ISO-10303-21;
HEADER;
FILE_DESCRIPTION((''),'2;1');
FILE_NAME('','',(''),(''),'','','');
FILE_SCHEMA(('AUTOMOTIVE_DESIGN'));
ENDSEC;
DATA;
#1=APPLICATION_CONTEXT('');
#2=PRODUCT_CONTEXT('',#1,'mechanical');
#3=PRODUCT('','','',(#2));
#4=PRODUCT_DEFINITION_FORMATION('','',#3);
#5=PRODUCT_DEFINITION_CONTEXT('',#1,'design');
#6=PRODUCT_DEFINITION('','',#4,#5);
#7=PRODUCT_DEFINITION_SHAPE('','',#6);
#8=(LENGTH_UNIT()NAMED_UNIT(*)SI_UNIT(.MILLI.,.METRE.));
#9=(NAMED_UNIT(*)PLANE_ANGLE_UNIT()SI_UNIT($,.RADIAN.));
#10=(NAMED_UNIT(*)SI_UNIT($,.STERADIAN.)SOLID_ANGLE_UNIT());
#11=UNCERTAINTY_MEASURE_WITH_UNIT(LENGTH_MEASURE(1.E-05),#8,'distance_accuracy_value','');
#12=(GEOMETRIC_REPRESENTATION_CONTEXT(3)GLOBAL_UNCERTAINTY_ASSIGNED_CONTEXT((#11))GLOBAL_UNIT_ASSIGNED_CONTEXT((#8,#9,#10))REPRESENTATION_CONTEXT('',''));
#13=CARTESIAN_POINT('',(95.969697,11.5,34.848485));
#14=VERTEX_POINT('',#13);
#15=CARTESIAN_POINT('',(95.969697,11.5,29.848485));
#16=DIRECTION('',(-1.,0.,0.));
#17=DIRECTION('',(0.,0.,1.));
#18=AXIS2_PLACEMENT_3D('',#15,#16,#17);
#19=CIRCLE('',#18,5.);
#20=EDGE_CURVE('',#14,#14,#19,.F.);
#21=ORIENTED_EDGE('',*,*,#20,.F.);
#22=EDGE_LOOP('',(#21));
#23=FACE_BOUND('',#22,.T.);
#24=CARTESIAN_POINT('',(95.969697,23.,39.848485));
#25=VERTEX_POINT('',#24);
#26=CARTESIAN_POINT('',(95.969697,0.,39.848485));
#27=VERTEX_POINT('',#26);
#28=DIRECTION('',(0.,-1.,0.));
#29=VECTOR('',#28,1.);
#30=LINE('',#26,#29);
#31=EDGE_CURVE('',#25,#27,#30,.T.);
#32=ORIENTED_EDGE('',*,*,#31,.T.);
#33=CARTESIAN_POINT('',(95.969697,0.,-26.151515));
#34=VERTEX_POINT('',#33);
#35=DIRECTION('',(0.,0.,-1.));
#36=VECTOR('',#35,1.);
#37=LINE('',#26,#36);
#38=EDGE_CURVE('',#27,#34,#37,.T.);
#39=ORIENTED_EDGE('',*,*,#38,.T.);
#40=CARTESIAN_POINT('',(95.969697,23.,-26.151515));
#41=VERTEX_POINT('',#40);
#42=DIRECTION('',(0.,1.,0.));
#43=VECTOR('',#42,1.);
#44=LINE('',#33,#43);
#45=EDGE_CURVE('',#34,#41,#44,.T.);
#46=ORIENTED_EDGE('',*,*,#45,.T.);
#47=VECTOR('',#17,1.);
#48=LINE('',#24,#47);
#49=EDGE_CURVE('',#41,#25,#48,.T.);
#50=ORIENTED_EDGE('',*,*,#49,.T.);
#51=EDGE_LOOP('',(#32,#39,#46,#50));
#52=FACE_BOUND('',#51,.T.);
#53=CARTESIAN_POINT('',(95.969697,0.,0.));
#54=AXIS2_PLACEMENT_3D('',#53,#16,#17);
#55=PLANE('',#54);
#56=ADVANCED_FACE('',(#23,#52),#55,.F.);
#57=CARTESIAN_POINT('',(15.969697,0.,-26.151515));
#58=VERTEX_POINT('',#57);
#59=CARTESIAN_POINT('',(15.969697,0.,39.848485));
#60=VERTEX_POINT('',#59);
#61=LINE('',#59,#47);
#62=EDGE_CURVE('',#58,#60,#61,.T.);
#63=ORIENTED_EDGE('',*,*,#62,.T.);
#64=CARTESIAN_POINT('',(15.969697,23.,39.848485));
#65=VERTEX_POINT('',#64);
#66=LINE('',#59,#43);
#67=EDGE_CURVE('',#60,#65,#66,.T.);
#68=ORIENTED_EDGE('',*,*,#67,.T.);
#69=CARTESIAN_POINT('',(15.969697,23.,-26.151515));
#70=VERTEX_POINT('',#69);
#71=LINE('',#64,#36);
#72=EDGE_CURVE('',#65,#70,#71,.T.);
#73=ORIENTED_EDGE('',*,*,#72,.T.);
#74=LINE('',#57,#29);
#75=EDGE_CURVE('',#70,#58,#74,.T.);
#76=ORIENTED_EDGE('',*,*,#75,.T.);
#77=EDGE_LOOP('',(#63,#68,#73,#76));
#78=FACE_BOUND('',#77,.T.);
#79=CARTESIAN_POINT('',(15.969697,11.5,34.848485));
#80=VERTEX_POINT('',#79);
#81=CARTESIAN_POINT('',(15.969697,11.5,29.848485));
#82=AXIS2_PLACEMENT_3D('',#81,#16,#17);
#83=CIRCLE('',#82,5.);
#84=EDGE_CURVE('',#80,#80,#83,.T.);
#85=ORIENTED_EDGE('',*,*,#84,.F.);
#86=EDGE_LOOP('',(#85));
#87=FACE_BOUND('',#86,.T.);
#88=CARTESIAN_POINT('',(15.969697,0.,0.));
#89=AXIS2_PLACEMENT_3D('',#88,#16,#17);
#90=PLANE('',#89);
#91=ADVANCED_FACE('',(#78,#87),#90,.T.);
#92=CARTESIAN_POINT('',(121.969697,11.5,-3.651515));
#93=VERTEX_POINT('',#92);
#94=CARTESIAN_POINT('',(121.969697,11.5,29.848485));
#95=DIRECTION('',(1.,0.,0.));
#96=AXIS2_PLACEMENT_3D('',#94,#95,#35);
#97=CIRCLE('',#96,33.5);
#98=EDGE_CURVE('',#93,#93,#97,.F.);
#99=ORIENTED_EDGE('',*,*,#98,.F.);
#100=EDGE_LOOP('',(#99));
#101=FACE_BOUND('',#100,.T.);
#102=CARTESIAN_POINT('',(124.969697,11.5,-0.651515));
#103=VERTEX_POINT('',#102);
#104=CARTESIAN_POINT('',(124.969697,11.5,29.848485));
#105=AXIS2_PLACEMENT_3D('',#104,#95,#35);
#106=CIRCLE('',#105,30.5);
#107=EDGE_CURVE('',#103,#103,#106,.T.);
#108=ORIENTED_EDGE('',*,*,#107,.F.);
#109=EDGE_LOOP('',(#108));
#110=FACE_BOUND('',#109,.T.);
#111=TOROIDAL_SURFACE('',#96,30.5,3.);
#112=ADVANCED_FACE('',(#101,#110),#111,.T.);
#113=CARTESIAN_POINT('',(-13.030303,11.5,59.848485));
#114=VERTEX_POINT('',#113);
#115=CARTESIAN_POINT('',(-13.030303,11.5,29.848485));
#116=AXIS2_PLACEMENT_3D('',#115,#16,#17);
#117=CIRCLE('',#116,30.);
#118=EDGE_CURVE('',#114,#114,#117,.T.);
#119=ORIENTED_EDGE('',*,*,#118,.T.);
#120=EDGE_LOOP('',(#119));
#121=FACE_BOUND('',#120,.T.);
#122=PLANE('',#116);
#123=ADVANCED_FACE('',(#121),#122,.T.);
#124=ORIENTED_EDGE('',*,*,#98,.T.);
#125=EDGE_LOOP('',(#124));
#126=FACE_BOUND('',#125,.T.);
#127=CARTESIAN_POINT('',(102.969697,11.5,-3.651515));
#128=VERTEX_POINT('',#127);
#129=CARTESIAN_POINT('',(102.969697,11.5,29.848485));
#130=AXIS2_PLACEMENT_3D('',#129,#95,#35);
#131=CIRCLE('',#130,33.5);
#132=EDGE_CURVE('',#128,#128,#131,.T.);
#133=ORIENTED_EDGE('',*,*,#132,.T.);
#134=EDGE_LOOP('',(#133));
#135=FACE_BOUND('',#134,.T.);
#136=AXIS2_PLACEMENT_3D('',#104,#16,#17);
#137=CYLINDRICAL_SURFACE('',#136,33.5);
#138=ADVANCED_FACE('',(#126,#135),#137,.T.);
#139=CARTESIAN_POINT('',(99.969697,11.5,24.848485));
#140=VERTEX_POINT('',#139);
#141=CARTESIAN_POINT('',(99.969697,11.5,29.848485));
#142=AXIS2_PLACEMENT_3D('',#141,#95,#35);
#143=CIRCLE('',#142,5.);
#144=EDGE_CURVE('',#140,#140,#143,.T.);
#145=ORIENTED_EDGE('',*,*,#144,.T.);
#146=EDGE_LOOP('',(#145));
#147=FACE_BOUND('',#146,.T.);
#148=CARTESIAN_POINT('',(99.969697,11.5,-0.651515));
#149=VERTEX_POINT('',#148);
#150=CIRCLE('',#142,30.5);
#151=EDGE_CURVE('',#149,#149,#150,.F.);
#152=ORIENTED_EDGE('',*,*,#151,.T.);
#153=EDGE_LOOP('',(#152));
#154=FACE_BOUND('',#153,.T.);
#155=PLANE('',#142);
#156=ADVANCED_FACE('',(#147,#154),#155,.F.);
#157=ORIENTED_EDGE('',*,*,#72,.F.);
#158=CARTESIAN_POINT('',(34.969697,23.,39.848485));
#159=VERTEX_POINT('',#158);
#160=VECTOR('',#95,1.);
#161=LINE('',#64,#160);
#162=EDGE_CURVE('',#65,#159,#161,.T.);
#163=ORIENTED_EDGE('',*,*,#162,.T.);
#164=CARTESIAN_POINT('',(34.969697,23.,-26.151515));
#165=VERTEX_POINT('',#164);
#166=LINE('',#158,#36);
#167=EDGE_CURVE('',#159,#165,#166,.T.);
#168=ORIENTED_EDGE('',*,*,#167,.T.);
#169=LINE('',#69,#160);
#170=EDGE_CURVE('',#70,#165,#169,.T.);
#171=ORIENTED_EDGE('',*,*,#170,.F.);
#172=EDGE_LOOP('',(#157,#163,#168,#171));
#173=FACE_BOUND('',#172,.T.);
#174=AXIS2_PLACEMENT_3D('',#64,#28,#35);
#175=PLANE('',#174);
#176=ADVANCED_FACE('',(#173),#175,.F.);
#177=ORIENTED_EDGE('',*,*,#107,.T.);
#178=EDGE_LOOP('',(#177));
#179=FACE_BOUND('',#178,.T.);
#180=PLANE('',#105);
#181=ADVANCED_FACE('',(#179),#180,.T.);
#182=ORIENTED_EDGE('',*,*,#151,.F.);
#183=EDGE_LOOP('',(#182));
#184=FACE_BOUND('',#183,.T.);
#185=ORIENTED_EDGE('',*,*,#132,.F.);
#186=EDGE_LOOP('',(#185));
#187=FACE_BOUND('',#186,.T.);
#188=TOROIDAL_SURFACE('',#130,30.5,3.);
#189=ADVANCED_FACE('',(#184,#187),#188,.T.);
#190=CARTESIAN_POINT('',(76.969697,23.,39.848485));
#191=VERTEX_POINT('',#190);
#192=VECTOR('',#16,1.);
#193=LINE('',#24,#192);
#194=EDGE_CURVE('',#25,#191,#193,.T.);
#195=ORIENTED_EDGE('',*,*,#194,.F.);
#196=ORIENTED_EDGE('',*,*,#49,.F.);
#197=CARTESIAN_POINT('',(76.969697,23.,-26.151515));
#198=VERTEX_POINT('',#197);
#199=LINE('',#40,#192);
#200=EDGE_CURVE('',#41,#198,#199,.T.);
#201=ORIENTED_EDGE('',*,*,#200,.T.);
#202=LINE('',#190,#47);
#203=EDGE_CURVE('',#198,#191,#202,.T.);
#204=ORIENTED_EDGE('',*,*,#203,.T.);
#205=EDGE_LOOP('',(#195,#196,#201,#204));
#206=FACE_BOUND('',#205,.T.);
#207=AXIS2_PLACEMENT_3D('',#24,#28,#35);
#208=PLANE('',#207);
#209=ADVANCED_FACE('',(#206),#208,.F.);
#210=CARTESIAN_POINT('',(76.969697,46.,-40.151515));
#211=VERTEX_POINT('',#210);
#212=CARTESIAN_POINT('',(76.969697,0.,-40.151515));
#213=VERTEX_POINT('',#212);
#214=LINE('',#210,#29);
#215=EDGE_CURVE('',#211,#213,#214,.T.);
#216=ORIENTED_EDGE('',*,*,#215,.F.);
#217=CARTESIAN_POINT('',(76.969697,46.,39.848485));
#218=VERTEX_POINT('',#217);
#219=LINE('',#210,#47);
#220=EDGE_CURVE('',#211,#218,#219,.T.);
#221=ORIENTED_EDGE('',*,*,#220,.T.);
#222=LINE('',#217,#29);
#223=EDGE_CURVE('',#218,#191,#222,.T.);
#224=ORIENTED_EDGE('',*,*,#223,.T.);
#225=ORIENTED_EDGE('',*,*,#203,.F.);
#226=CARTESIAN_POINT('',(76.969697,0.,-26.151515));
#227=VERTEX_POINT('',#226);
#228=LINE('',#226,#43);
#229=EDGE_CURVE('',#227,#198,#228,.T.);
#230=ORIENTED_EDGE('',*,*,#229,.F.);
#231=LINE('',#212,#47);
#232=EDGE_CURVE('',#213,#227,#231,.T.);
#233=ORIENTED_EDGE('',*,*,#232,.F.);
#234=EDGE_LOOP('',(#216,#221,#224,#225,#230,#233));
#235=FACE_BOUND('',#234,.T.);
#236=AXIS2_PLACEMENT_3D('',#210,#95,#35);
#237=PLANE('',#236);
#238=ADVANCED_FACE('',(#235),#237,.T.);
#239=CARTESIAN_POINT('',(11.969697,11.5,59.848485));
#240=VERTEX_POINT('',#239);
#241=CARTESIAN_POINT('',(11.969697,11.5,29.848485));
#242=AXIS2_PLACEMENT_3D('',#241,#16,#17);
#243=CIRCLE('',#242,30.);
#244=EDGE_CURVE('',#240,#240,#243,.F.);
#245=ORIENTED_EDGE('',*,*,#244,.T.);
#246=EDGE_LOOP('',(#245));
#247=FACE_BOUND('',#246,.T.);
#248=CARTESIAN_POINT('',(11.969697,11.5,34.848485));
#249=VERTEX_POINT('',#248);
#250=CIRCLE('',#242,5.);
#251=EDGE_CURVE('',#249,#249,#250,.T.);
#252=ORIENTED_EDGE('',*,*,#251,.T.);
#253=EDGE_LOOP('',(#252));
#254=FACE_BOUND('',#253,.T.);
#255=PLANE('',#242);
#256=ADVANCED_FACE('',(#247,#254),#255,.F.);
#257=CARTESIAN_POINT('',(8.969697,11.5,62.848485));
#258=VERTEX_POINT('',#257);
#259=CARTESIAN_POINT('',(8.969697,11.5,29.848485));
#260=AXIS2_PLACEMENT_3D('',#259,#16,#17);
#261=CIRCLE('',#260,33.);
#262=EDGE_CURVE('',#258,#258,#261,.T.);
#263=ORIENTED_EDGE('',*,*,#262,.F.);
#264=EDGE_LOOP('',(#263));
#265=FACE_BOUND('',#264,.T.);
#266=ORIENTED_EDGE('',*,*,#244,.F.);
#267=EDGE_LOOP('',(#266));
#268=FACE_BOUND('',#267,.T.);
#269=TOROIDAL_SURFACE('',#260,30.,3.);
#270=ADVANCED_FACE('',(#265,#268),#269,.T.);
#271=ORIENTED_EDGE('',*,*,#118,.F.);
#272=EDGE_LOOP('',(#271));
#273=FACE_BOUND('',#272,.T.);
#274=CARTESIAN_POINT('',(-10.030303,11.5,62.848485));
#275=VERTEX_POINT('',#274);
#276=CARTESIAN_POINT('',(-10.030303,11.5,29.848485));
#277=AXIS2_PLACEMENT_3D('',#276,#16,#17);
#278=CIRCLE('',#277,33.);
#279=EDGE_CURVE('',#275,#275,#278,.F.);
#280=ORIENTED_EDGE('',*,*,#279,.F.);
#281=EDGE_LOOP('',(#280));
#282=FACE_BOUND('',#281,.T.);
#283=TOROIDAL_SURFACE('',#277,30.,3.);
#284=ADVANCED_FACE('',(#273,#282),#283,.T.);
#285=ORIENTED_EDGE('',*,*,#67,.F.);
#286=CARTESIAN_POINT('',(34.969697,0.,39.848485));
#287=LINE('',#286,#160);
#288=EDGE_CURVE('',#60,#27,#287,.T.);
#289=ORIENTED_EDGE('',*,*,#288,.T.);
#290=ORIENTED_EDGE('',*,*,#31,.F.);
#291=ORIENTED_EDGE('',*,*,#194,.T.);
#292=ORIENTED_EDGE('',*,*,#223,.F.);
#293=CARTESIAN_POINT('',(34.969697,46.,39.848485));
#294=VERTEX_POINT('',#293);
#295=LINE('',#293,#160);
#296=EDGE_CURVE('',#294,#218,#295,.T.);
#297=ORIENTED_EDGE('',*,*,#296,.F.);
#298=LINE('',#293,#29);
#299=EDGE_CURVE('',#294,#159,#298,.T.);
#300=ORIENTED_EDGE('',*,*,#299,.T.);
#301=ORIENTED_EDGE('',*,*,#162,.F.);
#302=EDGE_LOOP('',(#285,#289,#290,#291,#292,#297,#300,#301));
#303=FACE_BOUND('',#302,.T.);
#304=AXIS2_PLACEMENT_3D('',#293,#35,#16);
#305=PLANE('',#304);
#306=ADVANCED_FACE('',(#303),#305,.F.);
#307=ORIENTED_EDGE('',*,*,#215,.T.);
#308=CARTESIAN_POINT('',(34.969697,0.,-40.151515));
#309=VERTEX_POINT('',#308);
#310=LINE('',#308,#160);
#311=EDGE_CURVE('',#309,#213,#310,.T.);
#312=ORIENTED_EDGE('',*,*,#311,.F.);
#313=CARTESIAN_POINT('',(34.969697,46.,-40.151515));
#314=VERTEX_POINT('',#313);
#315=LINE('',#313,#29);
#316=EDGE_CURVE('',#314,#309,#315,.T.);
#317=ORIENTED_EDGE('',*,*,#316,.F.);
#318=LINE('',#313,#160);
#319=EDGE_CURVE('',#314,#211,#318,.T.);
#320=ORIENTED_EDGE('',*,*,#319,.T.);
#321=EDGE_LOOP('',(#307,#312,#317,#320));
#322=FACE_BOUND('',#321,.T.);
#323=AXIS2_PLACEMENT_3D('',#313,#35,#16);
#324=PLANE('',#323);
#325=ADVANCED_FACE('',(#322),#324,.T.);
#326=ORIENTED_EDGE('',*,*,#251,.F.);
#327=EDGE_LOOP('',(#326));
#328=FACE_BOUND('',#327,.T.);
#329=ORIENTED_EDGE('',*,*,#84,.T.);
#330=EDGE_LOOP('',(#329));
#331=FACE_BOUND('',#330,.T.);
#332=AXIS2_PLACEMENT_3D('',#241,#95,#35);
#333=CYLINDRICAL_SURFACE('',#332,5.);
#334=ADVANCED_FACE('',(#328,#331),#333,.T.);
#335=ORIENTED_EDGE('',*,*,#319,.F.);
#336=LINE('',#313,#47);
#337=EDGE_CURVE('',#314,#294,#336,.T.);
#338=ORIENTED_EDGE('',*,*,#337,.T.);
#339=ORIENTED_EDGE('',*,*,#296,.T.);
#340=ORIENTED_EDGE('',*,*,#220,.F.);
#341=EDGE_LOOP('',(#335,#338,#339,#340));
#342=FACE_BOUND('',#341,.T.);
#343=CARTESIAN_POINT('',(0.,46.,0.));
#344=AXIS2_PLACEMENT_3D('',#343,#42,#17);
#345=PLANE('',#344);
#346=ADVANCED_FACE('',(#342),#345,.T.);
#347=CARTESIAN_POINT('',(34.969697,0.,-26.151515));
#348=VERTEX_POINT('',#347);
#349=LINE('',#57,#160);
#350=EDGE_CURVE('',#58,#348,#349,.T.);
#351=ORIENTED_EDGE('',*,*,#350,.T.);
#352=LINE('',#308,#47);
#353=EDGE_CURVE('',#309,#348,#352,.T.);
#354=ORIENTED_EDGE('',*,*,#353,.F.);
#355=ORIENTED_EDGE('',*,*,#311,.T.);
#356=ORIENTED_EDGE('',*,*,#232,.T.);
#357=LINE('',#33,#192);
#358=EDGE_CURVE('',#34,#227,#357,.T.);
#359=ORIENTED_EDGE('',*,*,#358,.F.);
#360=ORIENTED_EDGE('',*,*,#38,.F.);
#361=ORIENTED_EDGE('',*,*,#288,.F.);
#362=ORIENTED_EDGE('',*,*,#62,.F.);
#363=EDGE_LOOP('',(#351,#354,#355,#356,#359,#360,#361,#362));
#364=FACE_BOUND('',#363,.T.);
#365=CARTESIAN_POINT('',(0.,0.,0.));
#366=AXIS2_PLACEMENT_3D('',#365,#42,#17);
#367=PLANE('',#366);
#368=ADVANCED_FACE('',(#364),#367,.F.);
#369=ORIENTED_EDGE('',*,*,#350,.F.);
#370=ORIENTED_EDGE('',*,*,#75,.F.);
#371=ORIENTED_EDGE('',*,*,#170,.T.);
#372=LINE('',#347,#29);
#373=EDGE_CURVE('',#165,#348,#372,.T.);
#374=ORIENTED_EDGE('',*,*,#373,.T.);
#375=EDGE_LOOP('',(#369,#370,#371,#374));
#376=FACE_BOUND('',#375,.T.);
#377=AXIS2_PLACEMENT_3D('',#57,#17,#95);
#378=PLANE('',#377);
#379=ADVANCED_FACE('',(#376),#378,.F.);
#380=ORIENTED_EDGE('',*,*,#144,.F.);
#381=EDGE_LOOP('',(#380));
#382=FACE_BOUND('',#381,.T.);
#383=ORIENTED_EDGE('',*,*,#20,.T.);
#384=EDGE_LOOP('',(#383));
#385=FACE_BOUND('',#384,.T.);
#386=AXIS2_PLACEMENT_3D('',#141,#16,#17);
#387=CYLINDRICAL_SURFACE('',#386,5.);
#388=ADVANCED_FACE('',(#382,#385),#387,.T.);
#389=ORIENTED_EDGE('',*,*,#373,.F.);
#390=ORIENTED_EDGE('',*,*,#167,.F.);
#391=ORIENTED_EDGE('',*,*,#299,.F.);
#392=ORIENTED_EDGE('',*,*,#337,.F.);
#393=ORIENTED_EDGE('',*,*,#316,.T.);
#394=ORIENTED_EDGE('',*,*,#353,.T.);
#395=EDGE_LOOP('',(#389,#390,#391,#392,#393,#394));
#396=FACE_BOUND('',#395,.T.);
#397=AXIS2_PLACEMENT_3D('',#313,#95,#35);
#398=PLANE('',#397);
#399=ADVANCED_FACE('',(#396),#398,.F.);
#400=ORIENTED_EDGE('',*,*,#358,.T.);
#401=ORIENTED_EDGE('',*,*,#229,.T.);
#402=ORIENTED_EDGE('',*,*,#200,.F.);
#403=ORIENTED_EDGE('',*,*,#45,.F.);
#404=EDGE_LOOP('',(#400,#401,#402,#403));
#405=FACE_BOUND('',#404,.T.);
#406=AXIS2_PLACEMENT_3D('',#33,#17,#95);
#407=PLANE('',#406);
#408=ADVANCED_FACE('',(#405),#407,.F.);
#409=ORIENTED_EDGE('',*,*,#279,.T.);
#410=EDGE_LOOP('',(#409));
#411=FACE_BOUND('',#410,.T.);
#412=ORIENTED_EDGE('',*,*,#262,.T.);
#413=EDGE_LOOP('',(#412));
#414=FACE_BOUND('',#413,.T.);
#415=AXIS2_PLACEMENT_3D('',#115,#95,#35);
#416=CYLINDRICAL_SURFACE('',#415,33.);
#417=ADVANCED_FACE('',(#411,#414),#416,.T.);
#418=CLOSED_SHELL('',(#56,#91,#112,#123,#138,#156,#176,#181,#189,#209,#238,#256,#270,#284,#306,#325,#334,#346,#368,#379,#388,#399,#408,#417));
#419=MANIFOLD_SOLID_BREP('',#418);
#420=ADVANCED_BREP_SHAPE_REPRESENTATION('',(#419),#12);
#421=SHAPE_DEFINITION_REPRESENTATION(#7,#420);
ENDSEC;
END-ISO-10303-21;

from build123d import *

# Parameters (mm, degrees)
SKETCH2_W           = 42
SKETCH2_H           = 80
BOSS_EXTRUDE1_DEPTH = 46
SKETCH3_W           = 66
SKETCH3_H           = 23
BOSS_EXTRUDE2_DEPTH = 19
SKETCH4_R           = 5
BOSS_EXTRUDE3_DEPTH = 4
SKETCH5_R           = 33.5
BOSS_EXTRUDE4_DEPTH = 25
SKETCH6_W           = 66
SKETCH6_H           = 23
BOSS_EXTRUDE5_DEPTH = 19
BOSS_EXTRUDE6_START = 4
SKETCH8_R           = 5
BOSS_EXTRUDE6_DEPTH = 4
SKETCH10_R          = 33
BOSS_EXTRUDE7_DEPTH = 25
FILLET2_R           = 3


with BuildPart() as part:
    # Sketch2 → Boss-Extrude1 (new body)
    with BuildSketch(Plane(origin=(0, 0, 0), x_dir=(1, 0, 0), z_dir=(0, 1, 0))):
        with Locations((55.96969697, 0.151515152)):
            Rectangle(SKETCH2_W, SKETCH2_H)
    extrude(amount=BOSS_EXTRUDE1_DEPTH)

    # Sketch3 → Boss-Extrude2 (add)
    with BuildSketch(Plane(origin=(76.96969697, 0, 0), x_dir=(0, 0, -1), z_dir=(1, 0, 0))):
        with Locations((-6.848484848, 11.5)):
            Rectangle(SKETCH3_W, SKETCH3_H)
    extrude(amount=BOSS_EXTRUDE2_DEPTH)

    # Sketch4 → Boss-Extrude3 (add)
    with BuildSketch(Plane(origin=(95.96969697, 0, 0), x_dir=(0, 0, -1), z_dir=(1, 0, 0))):
        with Locations(Location((-29.848484848, 11.5, 0), (0, 0, 180))):
            Circle(SKETCH4_R)
    extrude(amount=BOSS_EXTRUDE3_DEPTH)

    # Sketch5 → Boss-Extrude4 (add)
    with BuildSketch(Plane(origin=(99.96969697, 0, 0), x_dir=(0, 0, -1), z_dir=(1, 0, 0))):
        with Locations((-29.848484848, 11.5)):
            Circle(SKETCH5_R)
    extrude(amount=BOSS_EXTRUDE4_DEPTH)

    # Sketch6 → Boss-Extrude5 (add)
    with BuildSketch(Plane.ZY.offset(-34.96969697)):
        with Locations((6.848484848, 11.5)):
            Rectangle(SKETCH6_W, SKETCH6_H)
    extrude(amount=BOSS_EXTRUDE5_DEPTH)

    # Sketch8 → Boss-Extrude6 (add)
    with BuildSketch(Plane.ZY.offset(-15.96969697).offset(BOSS_EXTRUDE6_START)):
        with Locations((29.848484848, 11.5)):
            Circle(SKETCH8_R)
    extrude(amount=-BOSS_EXTRUDE6_DEPTH)

    # Sketch10 → Boss-Extrude7 (add)
    with BuildSketch(Plane.ZY.offset(-11.96969697)):
        with Locations((29.848484848, 11.5)):
            Circle(SKETCH10_R)
    extrude(amount=BOSS_EXTRUDE7_DEPTH)

    # Fillet2
    fillet2_edges = [part.edges().sort_by_distance(p)[0] for p in [
        (99.96969697, 11.5, 63.348484848),
        (124.96969697, 11.5, 63.348484848),
        (11.96969697, 11.5, -3.151515152),
        (-13.03030303, 11.5, -3.151515152),
    ]]
    fillet(fillet2_edges, radius=FILLET2_R)


solid = part.part
